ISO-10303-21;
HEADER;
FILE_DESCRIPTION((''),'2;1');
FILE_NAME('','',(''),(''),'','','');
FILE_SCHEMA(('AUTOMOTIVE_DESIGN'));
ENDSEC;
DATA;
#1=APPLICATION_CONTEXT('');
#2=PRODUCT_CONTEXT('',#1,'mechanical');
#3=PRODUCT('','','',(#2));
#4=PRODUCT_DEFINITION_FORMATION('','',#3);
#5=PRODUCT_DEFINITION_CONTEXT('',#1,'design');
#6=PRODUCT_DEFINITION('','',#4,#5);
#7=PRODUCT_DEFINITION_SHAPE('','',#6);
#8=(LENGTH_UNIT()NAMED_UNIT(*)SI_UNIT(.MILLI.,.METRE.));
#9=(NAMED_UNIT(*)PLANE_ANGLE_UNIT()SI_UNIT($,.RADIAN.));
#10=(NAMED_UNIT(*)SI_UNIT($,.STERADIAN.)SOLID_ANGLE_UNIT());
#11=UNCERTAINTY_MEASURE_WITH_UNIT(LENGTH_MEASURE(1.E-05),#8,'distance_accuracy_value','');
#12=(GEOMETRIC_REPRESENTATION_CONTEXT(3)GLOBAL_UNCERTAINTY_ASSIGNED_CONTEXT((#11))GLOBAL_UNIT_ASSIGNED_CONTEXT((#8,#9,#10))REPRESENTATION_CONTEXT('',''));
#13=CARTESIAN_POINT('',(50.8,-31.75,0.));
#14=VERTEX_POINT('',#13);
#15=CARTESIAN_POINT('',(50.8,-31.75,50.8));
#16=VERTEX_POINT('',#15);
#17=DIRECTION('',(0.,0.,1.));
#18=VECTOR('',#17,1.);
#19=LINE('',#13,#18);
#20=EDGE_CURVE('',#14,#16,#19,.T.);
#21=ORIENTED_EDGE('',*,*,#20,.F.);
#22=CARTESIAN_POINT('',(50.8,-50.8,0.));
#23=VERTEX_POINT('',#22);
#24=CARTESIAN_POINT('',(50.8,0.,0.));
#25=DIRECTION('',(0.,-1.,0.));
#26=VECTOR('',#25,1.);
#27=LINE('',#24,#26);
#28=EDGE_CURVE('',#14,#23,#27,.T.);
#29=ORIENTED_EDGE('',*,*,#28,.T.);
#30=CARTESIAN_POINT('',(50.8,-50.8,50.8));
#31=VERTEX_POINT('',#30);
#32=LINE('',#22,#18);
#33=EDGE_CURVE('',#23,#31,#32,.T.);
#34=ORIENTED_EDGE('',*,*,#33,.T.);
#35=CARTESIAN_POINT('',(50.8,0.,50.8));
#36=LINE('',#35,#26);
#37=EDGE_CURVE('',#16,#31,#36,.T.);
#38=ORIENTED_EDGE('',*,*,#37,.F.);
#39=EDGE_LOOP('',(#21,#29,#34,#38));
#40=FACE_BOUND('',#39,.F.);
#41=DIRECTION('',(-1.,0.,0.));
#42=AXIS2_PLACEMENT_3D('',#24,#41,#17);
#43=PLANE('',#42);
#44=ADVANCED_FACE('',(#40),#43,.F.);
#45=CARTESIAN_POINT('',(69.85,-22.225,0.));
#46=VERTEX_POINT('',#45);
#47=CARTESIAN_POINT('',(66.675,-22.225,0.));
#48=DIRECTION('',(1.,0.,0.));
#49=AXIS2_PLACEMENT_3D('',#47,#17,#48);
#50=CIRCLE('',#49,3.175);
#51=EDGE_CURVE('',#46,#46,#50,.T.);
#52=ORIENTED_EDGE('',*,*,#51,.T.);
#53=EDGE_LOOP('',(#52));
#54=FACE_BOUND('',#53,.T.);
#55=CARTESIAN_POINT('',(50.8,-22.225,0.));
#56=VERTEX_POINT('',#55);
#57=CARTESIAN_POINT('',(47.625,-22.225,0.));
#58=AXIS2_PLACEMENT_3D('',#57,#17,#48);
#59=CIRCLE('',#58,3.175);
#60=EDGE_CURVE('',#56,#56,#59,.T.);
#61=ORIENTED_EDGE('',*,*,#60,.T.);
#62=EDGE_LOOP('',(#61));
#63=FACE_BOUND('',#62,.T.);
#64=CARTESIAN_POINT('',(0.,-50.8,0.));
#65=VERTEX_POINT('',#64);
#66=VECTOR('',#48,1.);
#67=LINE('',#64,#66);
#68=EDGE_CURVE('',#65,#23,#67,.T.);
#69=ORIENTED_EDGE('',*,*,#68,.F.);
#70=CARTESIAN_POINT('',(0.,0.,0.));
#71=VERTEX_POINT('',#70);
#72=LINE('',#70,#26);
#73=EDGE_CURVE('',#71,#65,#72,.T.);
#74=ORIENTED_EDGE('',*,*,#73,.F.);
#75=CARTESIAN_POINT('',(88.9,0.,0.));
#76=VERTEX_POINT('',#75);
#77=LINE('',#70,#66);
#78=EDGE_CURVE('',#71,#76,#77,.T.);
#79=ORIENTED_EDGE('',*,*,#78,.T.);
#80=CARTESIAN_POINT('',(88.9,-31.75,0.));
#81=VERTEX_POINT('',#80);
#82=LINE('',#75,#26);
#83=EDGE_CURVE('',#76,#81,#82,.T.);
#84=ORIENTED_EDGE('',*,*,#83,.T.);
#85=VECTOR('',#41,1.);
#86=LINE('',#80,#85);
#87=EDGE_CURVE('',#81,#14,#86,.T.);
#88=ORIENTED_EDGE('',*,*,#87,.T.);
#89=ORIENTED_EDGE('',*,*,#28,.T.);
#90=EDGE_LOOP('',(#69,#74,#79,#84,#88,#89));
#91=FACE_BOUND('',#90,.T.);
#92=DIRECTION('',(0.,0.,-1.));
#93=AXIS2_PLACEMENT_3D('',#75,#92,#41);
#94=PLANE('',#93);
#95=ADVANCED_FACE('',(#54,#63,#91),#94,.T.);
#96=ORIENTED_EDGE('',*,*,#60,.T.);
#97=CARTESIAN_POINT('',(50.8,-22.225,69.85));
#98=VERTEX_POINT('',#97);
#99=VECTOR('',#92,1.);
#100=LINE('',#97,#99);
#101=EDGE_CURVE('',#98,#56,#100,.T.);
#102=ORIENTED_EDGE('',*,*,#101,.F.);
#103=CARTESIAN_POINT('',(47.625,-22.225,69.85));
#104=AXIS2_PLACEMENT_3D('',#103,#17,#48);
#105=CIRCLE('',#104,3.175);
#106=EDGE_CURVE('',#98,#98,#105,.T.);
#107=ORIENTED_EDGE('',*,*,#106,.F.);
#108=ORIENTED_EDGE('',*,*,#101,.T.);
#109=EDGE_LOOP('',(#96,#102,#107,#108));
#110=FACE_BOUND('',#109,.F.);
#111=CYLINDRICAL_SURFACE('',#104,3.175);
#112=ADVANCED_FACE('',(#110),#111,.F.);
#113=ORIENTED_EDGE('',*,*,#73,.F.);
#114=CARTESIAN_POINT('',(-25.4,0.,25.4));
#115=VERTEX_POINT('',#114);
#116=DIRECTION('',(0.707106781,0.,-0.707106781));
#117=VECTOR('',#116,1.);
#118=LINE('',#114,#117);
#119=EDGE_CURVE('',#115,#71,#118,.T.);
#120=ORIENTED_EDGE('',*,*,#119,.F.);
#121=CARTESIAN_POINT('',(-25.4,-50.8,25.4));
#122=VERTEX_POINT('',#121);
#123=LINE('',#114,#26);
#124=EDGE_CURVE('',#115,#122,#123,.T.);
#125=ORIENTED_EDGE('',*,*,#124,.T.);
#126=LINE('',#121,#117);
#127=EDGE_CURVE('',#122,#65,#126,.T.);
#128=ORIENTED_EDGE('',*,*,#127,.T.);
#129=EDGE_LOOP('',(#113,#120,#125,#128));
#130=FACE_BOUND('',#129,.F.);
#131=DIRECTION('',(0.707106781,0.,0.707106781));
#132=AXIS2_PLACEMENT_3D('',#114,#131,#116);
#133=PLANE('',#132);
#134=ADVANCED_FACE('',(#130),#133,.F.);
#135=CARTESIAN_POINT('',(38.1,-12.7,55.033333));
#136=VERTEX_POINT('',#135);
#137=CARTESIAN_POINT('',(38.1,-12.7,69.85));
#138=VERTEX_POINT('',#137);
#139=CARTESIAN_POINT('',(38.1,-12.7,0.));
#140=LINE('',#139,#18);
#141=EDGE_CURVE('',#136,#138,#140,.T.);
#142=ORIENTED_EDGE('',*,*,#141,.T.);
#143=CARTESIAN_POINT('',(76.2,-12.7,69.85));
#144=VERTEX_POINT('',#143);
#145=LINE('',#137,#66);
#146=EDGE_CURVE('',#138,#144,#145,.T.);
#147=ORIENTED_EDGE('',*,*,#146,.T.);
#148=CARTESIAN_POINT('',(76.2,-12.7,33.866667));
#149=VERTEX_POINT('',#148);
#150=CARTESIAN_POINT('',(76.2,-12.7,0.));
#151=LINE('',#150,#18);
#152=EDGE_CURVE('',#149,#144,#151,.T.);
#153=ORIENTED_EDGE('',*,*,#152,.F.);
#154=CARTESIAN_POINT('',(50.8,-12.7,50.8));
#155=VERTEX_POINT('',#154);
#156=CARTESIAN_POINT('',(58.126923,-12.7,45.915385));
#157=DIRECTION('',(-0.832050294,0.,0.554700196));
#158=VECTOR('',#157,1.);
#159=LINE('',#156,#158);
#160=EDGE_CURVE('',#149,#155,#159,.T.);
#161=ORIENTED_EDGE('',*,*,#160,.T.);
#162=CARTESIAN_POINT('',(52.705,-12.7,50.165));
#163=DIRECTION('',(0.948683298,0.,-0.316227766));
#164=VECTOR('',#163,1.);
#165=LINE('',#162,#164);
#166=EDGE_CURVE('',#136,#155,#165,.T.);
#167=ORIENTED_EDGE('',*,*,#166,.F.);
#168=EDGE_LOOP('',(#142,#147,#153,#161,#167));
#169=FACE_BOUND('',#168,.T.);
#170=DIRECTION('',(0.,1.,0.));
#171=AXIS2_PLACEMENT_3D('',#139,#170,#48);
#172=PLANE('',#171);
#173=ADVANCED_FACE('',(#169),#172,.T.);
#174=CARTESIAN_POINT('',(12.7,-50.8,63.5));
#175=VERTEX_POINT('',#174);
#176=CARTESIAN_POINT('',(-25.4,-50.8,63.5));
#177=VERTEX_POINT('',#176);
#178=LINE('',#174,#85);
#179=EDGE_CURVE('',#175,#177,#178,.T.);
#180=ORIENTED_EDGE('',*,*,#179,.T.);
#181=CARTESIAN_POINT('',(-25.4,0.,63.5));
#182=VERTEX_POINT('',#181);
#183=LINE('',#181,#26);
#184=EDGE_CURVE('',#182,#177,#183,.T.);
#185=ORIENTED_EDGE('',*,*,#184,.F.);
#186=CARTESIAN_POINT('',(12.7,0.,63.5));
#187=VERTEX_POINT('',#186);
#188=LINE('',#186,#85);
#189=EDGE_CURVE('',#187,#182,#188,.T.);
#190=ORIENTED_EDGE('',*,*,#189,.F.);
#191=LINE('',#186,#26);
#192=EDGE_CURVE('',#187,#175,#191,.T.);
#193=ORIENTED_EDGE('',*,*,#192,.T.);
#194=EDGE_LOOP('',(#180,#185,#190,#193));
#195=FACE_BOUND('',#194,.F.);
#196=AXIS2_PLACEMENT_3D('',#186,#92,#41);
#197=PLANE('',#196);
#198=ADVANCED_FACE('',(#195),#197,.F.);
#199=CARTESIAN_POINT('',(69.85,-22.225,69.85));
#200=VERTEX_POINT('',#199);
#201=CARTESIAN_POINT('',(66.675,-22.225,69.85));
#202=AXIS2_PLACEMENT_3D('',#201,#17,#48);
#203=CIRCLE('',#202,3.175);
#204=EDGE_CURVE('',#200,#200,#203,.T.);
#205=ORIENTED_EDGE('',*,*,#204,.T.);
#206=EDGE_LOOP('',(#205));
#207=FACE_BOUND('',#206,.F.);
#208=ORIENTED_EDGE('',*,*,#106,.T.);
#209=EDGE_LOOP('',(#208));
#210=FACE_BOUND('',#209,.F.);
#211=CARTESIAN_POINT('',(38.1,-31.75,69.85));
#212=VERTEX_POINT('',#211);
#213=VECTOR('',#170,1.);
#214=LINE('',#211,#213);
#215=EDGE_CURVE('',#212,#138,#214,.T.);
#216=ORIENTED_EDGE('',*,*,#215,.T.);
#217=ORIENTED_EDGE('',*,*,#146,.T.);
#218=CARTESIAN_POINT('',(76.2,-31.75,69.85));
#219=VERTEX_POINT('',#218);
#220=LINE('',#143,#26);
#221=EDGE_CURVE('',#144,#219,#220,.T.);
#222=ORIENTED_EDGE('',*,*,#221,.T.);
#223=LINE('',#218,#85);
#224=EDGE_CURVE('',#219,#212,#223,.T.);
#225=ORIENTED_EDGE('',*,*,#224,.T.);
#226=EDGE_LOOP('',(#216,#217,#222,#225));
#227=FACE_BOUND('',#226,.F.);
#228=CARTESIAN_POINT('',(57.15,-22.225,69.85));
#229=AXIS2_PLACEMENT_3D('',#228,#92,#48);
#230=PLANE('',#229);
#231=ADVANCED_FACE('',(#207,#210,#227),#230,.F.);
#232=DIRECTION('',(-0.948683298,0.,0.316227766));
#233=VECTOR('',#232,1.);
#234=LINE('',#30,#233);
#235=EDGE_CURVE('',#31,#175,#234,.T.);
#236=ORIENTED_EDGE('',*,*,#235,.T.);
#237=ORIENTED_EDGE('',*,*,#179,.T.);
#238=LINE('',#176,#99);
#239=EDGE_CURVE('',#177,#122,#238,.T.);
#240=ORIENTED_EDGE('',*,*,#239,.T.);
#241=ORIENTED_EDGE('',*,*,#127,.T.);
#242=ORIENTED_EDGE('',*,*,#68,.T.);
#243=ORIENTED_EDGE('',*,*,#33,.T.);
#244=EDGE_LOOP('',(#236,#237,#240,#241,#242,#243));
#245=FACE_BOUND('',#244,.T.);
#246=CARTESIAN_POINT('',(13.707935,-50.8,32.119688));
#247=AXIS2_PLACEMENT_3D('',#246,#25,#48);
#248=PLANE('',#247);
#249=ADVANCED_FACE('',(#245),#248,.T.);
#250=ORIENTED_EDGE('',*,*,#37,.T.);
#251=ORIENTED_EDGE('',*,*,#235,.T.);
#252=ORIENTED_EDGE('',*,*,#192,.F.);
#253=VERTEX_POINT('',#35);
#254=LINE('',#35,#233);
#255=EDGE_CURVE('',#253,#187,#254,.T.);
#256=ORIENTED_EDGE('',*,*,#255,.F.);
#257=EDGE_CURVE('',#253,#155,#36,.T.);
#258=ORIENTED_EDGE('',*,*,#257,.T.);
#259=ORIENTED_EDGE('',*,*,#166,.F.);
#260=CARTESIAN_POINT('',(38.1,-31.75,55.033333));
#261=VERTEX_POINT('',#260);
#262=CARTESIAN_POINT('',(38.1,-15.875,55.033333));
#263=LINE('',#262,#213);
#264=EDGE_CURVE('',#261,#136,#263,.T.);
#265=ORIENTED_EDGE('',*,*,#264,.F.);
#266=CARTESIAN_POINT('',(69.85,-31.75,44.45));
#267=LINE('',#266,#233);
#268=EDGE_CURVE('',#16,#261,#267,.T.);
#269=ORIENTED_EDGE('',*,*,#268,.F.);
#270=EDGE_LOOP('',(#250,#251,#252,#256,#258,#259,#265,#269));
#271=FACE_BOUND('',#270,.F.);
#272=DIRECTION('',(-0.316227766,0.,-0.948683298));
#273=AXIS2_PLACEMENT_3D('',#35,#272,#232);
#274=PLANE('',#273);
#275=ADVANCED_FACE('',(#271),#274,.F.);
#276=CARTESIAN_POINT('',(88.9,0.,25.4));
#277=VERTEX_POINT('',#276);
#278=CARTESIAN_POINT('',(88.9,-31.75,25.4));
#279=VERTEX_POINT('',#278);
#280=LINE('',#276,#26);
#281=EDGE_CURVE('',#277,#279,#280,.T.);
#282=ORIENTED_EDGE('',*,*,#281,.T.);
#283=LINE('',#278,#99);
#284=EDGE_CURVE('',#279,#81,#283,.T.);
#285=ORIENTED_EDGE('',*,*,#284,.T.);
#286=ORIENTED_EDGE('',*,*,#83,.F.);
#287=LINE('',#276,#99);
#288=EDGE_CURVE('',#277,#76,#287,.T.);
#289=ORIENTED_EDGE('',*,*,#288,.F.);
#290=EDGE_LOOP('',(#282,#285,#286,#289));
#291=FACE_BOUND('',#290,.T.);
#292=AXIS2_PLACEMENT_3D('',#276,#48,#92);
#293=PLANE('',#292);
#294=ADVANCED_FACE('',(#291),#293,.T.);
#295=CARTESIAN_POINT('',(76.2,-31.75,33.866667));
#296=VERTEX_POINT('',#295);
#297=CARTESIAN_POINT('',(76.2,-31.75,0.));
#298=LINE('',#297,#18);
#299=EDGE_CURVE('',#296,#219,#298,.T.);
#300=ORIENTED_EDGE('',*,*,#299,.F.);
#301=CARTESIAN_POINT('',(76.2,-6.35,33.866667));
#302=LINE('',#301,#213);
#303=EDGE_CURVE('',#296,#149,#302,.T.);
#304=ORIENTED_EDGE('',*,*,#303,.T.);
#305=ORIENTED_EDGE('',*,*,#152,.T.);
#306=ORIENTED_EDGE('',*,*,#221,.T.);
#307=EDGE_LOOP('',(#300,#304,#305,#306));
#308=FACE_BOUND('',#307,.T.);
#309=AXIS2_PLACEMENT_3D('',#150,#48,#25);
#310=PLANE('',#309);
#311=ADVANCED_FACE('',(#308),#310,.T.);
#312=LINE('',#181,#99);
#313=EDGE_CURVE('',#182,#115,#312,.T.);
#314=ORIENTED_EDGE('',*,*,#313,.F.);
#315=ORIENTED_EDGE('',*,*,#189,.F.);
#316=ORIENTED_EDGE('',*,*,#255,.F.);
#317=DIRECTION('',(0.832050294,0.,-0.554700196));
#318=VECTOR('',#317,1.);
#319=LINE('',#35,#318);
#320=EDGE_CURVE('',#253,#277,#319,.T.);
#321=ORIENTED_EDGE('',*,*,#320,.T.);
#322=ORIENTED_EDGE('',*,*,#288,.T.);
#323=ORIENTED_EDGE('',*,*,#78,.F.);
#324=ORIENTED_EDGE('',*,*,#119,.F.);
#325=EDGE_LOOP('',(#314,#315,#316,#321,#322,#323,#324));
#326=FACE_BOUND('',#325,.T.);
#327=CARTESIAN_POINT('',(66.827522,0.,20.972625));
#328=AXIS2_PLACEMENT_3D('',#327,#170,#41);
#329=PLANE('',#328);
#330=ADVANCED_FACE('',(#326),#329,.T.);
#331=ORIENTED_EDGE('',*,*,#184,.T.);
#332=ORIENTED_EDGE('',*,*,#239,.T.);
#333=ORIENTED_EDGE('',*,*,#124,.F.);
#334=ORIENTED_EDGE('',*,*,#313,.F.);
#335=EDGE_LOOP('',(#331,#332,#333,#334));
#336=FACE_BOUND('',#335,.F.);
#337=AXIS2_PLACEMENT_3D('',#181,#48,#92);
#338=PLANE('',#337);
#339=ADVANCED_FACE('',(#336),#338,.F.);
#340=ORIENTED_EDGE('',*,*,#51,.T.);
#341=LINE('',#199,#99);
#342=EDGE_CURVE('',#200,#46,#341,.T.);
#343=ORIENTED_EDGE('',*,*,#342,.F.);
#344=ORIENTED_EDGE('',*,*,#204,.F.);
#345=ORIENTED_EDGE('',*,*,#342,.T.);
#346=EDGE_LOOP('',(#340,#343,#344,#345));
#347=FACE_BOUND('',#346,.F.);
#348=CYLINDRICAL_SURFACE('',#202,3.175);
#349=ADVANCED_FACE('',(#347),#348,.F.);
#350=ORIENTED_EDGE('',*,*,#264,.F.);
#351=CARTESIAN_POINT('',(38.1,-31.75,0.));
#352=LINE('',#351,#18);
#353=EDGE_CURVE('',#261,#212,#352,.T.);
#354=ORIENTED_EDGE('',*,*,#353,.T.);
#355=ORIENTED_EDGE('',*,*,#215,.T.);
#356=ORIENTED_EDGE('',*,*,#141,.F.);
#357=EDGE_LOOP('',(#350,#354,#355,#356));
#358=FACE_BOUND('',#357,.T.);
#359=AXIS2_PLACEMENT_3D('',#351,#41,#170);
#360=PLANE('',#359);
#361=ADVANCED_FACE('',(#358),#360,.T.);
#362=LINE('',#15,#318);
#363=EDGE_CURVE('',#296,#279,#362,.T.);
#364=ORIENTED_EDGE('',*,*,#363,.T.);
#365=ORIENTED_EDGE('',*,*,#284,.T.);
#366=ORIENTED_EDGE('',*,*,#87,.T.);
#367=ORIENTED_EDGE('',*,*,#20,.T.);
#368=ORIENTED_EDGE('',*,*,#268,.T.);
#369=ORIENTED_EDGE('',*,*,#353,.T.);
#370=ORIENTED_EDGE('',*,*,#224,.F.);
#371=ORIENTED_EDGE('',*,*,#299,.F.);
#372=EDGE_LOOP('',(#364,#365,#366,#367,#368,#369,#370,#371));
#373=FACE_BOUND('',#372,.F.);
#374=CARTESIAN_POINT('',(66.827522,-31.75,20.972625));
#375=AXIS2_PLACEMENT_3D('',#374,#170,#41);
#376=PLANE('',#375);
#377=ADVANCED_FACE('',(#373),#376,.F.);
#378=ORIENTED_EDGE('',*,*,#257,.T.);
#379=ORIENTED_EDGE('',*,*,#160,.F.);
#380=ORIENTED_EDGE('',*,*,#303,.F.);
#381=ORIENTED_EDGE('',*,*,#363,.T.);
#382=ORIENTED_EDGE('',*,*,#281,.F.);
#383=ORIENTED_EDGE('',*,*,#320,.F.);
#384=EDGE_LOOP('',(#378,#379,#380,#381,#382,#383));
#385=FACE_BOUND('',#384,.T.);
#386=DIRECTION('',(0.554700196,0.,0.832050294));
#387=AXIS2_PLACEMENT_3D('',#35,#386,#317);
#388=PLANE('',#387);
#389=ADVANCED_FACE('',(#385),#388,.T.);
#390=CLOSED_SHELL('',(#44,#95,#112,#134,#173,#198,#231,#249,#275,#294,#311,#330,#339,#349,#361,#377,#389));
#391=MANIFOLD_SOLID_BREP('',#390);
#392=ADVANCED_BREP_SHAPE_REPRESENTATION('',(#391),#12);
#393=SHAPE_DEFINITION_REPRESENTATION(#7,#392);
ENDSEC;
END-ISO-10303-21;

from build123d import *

# Parameters (mm, degrees)
F1_DEPTH = 50.8
F3_DEPTH = 31.75
F5_DEPTH = 69.85
F6_R     = 3.175
F7_DEPTH = 69.851


with BuildPart() as f1:
    # F0 (on Front) → F1 (new body)
    with BuildSketch(Plane.XZ):
        Polygon((-25.4, 25.4), (0, 0), (50.8, 0), (50.8, 50.8), (12.7, 63.5), (-25.4, 63.5), align=None)
    extrude(amount=F1_DEPTH)

    # F2 (on face) → F3 (join)
    with BuildSketch(Plane(origin=(0, 0, 0), x_dir=(-1, 0, 0), z_dir=(0, 1, 0))):
        Polygon((-88.9, 0), (-50.8, 0), (-50.8, 50.8), (-88.9, 25.4), align=None)
    extrude(amount=-F3_DEPTH)

    # F4 (on face) → F5 (join)
    with BuildSketch(Plane(origin=(0, 0, 0), x_dir=(1, 0, 0), z_dir=(0, 0, -1))):
        Polygon((76.2, 12.7), (76.2, 31.75), (50.8, 31.75), (38.1, 31.75), (38.1, 12.7), align=None)
    extrude(amount=-F5_DEPTH)

    # F6 (on face) → F7 (cut, through all)
    with BuildSketch(Plane.XY.offset(69.85)):
        with Locations((47.625, -22.225)):
            Circle(F6_R)
        with Locations((66.675, -22.225)):
            Circle(F6_R)
    extrude(amount=-F7_DEPTH, mode=Mode.SUBTRACT)


solid = f1.part
